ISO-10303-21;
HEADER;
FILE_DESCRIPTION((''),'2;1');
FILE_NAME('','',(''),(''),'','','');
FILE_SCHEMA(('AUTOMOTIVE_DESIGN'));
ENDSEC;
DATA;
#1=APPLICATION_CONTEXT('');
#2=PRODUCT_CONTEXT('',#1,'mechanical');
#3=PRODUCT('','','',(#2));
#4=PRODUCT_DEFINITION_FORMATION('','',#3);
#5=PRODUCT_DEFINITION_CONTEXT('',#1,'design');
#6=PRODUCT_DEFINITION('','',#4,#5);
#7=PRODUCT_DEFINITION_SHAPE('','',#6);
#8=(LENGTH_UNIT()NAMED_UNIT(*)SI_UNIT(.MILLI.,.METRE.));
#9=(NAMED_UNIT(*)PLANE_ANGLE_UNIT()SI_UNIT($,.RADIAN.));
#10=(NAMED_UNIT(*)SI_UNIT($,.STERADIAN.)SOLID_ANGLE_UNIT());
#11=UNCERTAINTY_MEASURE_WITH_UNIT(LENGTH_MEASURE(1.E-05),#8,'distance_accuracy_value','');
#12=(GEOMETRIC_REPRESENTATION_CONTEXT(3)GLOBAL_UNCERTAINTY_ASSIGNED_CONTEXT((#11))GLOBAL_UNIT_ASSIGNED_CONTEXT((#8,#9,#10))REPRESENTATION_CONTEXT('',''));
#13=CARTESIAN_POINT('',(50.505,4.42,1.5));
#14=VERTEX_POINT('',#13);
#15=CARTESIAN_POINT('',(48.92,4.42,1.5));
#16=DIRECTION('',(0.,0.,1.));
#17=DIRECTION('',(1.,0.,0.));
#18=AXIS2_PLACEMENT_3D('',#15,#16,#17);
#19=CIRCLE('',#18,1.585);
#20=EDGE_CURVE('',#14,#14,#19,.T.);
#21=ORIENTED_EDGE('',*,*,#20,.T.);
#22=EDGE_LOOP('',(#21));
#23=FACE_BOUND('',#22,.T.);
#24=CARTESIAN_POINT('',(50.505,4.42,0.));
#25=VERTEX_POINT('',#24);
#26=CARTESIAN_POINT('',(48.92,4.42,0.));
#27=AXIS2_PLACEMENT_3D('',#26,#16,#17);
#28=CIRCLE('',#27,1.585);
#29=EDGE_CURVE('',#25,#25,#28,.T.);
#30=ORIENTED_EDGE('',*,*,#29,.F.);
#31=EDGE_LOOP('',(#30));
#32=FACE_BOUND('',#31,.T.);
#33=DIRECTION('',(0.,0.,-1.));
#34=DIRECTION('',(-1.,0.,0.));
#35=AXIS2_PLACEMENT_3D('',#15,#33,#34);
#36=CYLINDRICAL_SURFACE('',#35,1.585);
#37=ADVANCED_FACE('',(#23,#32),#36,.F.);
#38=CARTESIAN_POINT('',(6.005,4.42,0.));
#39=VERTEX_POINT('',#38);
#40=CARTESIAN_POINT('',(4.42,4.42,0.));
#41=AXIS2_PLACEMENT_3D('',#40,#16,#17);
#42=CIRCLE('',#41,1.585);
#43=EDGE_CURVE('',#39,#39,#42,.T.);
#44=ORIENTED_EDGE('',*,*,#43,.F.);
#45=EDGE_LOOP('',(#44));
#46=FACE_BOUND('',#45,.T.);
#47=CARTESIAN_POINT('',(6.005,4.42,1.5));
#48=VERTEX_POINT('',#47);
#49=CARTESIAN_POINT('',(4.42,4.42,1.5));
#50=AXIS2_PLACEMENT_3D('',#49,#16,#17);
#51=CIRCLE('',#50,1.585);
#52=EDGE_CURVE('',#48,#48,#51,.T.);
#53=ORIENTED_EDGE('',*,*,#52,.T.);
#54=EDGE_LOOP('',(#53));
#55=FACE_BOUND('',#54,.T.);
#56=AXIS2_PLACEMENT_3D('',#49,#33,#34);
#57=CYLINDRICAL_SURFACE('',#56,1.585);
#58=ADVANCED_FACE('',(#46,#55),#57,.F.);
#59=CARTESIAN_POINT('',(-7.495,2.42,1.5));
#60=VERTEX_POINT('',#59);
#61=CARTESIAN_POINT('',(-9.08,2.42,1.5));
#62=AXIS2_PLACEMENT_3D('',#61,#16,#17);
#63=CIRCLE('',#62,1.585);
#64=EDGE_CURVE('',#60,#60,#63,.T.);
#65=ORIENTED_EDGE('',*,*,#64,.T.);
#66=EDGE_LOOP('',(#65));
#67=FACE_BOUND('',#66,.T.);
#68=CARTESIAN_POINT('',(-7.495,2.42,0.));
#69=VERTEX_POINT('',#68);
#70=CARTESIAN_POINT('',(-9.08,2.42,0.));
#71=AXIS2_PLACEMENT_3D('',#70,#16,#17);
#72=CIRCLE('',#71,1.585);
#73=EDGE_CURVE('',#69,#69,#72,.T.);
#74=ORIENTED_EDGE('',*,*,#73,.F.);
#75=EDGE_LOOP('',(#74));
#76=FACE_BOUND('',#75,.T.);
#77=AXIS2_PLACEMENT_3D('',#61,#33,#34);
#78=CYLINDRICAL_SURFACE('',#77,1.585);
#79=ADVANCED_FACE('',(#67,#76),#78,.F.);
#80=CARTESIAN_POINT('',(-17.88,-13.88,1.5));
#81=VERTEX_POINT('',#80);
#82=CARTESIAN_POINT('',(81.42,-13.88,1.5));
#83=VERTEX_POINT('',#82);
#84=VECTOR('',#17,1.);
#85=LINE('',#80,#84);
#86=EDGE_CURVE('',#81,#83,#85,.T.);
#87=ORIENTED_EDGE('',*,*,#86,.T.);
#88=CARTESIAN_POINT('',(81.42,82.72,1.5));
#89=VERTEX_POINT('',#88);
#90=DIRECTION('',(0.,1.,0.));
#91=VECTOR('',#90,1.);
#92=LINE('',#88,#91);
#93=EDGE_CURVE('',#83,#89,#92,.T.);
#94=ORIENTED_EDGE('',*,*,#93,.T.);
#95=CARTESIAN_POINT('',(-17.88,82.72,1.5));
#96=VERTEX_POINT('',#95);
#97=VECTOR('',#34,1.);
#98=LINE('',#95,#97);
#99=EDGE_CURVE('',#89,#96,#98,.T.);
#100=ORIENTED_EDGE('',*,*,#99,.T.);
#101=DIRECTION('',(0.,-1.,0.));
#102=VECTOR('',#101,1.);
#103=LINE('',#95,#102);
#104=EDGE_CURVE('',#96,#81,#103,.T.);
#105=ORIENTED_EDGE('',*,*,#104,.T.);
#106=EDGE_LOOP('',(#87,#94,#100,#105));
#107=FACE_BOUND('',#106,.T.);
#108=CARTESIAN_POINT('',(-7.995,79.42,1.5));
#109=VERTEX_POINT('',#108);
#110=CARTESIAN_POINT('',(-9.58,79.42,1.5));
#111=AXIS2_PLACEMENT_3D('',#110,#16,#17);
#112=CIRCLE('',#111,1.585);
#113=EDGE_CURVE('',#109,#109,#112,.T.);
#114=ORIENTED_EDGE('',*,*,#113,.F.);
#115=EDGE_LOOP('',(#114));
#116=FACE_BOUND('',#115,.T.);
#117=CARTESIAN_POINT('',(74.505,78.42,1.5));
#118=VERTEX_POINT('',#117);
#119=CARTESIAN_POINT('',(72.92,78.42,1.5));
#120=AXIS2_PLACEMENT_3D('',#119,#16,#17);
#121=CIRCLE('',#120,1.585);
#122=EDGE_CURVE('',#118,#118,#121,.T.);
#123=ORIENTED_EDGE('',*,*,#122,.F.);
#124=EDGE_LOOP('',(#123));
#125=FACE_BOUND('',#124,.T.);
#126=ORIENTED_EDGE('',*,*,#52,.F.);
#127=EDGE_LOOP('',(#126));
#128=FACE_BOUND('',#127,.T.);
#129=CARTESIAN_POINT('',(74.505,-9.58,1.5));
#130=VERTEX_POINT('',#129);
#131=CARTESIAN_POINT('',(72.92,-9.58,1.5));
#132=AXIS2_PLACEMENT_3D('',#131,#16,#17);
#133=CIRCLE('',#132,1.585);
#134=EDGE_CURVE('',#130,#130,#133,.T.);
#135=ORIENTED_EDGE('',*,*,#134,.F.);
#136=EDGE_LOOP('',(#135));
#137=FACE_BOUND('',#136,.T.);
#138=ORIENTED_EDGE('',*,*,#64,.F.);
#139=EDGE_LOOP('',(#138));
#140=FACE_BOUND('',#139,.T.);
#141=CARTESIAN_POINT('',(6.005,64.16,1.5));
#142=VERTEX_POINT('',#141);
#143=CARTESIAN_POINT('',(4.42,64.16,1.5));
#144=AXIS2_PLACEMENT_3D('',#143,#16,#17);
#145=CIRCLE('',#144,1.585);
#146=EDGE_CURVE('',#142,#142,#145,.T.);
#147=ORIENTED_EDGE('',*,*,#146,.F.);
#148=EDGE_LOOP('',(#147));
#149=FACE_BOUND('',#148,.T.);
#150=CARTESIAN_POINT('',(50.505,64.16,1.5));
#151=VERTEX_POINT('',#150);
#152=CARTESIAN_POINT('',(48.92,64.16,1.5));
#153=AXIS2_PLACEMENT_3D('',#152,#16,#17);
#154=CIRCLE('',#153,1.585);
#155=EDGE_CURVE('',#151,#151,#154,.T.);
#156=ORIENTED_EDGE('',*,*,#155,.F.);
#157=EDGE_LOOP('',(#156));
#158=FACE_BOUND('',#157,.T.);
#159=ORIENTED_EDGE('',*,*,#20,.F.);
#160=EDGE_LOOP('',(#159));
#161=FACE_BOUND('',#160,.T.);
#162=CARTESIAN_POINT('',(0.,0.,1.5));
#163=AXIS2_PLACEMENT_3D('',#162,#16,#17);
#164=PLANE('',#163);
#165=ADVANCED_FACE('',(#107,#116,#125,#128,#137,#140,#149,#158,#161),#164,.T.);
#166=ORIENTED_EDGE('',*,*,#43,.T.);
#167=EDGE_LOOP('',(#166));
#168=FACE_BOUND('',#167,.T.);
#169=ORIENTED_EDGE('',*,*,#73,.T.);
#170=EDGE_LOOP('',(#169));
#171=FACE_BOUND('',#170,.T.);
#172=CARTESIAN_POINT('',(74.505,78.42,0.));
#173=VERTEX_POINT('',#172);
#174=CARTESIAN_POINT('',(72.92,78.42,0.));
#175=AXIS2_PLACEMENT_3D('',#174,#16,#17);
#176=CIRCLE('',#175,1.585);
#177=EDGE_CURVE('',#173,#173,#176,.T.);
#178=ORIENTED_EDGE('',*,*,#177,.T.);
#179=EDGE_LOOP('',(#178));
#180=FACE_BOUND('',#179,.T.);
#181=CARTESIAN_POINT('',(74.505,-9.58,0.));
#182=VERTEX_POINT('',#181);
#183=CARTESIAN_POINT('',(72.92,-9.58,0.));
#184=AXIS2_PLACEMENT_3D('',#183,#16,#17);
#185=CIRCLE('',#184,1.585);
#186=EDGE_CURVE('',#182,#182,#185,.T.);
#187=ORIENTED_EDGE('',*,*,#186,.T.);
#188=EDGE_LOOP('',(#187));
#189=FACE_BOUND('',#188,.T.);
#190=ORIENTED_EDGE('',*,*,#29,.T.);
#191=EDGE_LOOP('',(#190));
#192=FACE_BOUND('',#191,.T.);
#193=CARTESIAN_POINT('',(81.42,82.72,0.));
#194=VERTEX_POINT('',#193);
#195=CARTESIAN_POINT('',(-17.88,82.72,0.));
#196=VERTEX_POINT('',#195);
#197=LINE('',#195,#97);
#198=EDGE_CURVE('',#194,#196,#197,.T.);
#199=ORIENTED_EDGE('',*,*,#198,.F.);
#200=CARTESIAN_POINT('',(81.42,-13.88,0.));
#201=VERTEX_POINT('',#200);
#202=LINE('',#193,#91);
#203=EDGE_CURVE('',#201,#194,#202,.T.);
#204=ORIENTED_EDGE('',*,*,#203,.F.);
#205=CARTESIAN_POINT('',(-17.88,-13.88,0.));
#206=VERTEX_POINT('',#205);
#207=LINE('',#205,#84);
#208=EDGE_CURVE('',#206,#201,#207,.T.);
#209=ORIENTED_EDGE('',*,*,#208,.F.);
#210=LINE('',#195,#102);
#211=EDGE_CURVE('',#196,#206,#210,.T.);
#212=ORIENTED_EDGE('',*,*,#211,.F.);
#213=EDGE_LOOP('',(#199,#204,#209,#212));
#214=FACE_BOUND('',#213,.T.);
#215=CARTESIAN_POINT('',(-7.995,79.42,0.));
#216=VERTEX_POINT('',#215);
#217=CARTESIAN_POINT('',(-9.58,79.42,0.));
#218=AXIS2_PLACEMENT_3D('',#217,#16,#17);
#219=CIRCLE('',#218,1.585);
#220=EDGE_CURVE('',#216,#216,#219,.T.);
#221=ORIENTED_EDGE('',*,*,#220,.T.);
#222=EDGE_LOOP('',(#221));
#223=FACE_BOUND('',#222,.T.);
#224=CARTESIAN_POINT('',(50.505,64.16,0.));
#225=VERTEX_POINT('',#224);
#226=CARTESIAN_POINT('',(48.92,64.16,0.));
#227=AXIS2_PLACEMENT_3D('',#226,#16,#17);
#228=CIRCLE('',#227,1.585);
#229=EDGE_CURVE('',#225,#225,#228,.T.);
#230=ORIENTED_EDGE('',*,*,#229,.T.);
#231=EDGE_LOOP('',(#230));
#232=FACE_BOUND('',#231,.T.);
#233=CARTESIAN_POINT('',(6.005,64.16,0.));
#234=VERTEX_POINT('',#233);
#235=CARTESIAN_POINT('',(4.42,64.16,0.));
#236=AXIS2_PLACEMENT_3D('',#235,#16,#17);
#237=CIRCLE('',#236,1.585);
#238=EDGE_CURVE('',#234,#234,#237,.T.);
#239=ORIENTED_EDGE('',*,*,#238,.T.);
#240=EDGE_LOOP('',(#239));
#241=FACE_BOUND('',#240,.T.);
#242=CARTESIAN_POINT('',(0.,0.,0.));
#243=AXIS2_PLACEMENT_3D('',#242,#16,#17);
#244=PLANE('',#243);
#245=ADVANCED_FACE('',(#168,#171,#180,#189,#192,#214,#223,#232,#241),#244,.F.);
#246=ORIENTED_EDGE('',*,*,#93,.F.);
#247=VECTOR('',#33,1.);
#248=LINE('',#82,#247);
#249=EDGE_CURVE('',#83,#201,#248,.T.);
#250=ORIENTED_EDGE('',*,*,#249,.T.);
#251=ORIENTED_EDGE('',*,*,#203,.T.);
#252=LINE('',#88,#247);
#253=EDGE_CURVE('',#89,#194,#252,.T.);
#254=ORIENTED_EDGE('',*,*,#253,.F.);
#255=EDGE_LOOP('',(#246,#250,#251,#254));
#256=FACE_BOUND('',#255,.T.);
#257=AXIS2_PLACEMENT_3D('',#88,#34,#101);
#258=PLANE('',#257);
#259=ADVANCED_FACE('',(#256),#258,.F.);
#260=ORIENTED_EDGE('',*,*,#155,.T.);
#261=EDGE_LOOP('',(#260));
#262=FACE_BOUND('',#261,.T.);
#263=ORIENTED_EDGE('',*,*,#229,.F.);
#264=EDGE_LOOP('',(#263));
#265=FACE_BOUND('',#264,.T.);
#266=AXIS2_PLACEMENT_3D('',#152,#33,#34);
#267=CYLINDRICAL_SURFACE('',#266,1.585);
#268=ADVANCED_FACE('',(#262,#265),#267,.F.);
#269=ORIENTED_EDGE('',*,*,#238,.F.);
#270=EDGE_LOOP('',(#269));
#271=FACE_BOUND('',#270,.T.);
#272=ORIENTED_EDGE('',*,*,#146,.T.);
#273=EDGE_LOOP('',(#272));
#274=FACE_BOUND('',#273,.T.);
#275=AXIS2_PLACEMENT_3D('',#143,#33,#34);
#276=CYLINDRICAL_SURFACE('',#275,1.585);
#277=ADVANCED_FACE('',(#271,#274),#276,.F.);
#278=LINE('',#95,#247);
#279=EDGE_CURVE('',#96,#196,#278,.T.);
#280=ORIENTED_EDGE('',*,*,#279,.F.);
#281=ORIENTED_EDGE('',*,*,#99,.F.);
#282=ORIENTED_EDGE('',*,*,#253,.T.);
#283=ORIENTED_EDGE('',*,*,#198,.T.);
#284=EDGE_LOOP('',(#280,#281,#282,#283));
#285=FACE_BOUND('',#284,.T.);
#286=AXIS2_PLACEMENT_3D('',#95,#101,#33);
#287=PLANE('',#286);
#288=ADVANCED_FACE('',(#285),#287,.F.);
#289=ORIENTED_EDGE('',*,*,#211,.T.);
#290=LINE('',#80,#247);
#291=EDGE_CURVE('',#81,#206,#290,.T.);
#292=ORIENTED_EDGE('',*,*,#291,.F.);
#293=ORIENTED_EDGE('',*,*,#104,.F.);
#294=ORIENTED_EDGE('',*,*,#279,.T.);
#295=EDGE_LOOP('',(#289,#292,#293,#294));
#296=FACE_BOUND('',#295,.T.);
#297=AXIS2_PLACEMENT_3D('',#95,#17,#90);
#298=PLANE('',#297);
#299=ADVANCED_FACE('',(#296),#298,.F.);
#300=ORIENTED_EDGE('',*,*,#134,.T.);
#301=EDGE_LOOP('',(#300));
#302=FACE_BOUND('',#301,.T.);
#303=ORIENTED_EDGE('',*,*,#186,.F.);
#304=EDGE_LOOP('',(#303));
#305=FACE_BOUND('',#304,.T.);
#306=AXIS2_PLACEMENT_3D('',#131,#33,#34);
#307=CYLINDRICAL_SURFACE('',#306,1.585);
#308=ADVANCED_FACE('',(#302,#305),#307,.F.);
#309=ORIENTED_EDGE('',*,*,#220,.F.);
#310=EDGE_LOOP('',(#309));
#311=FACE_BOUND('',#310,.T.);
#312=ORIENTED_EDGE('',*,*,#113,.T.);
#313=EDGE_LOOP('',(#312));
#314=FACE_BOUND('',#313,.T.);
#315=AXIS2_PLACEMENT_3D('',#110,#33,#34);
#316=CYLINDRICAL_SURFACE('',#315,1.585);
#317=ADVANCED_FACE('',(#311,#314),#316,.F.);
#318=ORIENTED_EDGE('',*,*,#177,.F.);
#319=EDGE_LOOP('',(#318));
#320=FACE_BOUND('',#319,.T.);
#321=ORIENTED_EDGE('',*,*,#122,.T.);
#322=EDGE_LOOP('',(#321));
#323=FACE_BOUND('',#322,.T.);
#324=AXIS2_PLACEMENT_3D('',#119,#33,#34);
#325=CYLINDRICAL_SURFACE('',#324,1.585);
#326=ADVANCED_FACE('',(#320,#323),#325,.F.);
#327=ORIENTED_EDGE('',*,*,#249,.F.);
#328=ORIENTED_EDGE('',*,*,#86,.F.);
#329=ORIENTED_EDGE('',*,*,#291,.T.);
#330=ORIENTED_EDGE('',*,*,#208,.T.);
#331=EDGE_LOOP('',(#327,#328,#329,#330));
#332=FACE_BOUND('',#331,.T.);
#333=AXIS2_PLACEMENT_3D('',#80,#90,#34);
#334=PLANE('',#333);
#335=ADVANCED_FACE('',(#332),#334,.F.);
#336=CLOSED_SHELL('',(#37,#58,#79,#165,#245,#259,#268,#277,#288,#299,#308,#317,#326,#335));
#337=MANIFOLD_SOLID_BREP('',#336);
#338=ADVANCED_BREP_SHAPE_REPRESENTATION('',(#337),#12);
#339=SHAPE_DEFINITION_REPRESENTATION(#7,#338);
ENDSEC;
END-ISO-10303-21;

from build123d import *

# Parameters (mm, degrees)
SKETCH_1_W      = 99.3
SKETCH_1_H      = 96.6
SKETCH_1_R      = 1.585
EXTRUDE_1_DEPTH = 1.5


with BuildPart() as part:
    # 草图1 → 凸台-拉伸1 (new body)
    with BuildSketch(Plane.XY):
        with Locations((31.77, 34.42)):
            Rectangle(SKETCH_1_W, SKETCH_1_H)
        with Locations((48.92, 64.16)):
            Circle(SKETCH_1_R, mode=Mode.SUBTRACT)
        with Locations((4.42, 64.16)):
            Circle(SKETCH_1_R, mode=Mode.SUBTRACT)
        with Locations((4.42, 4.42)):
            Circle(SKETCH_1_R, mode=Mode.SUBTRACT)
        with Locations((48.92, 4.42)):
            Circle(SKETCH_1_R, mode=Mode.SUBTRACT)
        with Locations((-9.08, 2.42)):
            Circle(SKETCH_1_R, mode=Mode.SUBTRACT)
        with Locations((72.92, -9.58)):
            Circle(SKETCH_1_R, mode=Mode.SUBTRACT)
        with Locations((72.92, 78.42)):
            Circle(SKETCH_1_R, mode=Mode.SUBTRACT)
        with Locations((-9.58, 79.42)):
            Circle(SKETCH_1_R, mode=Mode.SUBTRACT)
    extrude(amount=EXTRUDE_1_DEPTH)


solid = part.part
